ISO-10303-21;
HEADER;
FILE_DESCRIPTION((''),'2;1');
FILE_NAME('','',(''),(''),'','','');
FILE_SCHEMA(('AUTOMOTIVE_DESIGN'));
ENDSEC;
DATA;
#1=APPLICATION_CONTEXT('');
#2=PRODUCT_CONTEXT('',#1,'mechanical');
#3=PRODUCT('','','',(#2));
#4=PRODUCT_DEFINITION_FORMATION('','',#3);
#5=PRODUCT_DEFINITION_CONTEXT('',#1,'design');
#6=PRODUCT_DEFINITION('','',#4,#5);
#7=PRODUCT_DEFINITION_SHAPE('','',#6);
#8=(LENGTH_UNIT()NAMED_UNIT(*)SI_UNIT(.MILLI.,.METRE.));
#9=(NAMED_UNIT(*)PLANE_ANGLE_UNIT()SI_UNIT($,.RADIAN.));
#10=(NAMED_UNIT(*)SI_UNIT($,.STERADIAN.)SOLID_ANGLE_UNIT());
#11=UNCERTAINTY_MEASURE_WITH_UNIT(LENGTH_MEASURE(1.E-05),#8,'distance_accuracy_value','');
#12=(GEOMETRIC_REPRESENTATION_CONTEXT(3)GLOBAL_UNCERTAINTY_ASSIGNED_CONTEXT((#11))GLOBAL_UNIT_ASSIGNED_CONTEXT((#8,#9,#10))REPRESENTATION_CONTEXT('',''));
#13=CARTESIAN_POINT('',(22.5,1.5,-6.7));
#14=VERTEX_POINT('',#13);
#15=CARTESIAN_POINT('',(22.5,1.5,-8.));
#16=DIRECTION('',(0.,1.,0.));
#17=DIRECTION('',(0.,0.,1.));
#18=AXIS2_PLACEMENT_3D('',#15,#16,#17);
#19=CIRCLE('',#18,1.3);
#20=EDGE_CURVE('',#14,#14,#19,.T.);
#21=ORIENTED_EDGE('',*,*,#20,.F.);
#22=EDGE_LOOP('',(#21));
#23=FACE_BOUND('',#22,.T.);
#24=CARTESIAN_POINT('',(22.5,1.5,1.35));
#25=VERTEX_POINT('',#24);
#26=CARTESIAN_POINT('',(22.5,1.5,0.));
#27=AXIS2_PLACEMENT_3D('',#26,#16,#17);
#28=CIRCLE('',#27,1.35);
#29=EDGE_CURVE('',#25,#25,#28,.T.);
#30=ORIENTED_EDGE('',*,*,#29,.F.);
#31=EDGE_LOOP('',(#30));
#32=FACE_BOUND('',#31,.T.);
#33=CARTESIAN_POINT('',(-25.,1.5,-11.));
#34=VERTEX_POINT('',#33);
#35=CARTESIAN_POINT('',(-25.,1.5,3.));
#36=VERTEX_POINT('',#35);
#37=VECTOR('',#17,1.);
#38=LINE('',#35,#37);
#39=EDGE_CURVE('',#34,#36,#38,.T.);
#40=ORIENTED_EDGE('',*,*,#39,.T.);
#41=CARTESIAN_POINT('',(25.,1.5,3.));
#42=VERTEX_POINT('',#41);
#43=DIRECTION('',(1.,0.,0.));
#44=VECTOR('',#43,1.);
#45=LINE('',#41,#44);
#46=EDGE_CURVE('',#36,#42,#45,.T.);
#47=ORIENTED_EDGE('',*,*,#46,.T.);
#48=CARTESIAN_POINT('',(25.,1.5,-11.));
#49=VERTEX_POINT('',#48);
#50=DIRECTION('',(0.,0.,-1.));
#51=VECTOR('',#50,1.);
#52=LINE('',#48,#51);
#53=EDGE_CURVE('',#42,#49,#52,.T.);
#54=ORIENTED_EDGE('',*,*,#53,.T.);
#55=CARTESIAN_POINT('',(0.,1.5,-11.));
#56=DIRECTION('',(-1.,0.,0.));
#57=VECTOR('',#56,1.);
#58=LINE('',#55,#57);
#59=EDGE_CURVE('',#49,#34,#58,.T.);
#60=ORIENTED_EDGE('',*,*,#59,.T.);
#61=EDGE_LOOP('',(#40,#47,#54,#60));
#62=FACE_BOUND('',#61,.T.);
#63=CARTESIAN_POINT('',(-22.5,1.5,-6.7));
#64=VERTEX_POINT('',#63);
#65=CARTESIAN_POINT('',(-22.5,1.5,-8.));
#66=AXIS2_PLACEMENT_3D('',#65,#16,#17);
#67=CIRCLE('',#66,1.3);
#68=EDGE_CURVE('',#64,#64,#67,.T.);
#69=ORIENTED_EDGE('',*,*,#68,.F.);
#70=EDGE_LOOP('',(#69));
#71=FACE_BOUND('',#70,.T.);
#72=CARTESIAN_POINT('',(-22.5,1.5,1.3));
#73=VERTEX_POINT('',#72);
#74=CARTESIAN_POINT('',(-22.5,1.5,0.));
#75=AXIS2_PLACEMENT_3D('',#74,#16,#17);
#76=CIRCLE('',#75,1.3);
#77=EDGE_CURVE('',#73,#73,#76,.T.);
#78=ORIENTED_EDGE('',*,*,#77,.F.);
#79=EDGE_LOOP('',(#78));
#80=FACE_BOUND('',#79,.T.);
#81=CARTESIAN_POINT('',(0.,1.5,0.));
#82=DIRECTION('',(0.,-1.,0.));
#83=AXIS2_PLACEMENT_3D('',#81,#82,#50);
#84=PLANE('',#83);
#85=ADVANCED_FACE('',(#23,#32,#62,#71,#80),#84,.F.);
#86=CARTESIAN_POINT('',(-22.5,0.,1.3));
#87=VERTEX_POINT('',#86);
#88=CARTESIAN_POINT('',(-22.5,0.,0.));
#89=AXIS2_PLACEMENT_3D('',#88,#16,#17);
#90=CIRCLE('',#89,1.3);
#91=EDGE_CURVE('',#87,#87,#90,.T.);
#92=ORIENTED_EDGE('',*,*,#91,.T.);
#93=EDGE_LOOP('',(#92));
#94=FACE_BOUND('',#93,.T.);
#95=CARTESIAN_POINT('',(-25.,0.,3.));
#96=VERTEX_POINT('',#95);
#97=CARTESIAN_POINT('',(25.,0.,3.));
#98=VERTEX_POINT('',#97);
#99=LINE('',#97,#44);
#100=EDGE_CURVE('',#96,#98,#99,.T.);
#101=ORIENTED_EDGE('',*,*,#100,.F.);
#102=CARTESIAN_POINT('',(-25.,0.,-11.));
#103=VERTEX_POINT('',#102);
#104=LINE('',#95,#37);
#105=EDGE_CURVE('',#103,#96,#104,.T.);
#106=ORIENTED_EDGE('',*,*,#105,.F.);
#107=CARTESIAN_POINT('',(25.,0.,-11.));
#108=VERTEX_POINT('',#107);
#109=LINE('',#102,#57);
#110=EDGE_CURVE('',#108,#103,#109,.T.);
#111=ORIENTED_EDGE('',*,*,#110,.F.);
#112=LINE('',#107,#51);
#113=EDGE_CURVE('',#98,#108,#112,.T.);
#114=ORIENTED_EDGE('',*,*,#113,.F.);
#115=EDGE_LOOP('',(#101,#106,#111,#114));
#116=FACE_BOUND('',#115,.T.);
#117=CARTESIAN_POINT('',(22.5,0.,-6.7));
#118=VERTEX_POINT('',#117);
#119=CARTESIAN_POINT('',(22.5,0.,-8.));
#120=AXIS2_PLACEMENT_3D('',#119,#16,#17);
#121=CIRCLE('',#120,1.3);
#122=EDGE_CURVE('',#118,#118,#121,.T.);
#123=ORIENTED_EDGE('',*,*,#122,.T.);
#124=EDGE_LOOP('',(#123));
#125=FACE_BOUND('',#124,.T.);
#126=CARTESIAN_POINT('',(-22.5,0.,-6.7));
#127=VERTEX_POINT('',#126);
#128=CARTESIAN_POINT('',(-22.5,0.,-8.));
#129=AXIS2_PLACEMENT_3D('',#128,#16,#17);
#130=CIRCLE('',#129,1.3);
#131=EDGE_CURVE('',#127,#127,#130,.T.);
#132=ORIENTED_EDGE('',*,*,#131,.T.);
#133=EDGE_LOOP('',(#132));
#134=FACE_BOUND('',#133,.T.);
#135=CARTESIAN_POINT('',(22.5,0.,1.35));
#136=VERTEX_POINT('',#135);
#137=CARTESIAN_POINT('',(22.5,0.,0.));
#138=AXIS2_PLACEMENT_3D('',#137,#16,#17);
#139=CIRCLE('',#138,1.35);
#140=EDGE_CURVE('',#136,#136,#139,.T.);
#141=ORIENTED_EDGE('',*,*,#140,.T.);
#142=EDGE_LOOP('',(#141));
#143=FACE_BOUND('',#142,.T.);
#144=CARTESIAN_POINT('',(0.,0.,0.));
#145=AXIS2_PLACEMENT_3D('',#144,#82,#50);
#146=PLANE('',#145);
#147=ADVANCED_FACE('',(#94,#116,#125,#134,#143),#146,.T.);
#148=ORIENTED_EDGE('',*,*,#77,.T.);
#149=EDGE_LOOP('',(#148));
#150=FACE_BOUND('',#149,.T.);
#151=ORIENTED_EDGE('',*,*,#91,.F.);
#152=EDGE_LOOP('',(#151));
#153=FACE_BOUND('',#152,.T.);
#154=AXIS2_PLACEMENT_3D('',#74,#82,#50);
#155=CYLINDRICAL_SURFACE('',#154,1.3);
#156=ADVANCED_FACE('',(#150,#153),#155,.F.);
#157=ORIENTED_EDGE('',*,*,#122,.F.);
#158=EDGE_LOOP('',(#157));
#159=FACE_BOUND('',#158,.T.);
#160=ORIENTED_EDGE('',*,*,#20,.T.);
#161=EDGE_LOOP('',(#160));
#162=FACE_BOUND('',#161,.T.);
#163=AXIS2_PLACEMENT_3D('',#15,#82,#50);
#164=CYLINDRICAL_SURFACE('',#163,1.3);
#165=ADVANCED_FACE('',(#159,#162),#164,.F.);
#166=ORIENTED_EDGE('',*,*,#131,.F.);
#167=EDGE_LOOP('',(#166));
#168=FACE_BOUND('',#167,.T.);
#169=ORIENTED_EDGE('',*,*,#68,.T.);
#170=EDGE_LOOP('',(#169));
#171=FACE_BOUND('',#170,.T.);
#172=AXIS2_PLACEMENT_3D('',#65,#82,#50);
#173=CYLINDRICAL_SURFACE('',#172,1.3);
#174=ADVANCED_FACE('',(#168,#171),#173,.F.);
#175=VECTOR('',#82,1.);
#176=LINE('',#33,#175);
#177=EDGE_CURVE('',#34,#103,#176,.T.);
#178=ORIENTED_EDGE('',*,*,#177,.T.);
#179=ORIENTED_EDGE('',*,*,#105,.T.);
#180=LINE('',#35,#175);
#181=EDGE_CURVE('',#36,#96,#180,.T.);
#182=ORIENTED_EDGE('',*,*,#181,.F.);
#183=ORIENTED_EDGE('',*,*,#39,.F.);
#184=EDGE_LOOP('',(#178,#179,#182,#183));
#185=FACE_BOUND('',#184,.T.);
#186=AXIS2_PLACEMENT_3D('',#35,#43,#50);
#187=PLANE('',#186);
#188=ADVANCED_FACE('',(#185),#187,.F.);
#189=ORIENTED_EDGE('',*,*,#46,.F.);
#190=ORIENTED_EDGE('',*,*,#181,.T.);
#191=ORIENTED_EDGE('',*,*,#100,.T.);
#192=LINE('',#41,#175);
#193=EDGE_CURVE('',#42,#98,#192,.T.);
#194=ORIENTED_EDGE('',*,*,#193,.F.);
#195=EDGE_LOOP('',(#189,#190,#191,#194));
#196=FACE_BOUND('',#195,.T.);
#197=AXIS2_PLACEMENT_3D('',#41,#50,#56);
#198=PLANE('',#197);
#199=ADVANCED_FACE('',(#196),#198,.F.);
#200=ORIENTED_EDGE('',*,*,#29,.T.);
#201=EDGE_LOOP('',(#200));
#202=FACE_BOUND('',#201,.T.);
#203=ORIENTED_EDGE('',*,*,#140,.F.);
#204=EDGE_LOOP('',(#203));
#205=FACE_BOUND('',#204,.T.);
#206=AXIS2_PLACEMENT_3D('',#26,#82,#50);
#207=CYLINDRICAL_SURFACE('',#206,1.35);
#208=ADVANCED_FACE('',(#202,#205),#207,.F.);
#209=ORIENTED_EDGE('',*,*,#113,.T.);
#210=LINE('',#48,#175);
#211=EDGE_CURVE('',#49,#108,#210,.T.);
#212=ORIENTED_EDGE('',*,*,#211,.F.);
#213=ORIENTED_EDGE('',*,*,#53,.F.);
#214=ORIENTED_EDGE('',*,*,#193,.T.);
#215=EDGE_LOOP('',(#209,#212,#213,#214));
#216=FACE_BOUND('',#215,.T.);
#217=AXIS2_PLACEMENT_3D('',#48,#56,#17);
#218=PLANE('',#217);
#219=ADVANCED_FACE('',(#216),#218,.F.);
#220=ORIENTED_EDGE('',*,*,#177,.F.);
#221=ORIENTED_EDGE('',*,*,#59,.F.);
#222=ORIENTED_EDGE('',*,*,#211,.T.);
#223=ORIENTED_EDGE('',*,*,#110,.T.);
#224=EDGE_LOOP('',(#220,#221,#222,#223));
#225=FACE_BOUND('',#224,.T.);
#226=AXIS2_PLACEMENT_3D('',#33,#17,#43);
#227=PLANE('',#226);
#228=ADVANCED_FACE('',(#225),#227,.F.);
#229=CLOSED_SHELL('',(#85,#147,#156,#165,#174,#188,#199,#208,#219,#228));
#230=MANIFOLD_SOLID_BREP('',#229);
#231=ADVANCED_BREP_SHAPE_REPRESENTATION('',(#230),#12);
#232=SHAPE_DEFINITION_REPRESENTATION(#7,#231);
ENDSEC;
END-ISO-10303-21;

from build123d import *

# Parameters (mm, degrees)
SKETCH_1_R      = 1.35
SKETCH_1_R_2    = 1.3
EXTRUDE_1_DEPTH = 1.5


with BuildPart() as part:
    # 草图1 → 凸台-拉伸1 (new body)
    with BuildSketch(Plane(origin=(0, 0, 0), x_dir=(1, 0, 0), z_dir=(0, 1, 0))):
        Polygon((0, 11), (25, 11), (25, -3), (-25, -3), (-25, 11), align=None)
        with Locations((22.5, 0)):
            Circle(SKETCH_1_R, mode=Mode.SUBTRACT)
        with Locations((-22.5, 0)):
            Circle(SKETCH_1_R_2, mode=Mode.SUBTRACT)
        with Locations((-22.5, 8)):
            Circle(SKETCH_1_R_2, mode=Mode.SUBTRACT)
        with Locations((22.5, 8)):
            Circle(SKETCH_1_R_2, mode=Mode.SUBTRACT)
    extrude(amount=EXTRUDE_1_DEPTH)


solid = part.part
